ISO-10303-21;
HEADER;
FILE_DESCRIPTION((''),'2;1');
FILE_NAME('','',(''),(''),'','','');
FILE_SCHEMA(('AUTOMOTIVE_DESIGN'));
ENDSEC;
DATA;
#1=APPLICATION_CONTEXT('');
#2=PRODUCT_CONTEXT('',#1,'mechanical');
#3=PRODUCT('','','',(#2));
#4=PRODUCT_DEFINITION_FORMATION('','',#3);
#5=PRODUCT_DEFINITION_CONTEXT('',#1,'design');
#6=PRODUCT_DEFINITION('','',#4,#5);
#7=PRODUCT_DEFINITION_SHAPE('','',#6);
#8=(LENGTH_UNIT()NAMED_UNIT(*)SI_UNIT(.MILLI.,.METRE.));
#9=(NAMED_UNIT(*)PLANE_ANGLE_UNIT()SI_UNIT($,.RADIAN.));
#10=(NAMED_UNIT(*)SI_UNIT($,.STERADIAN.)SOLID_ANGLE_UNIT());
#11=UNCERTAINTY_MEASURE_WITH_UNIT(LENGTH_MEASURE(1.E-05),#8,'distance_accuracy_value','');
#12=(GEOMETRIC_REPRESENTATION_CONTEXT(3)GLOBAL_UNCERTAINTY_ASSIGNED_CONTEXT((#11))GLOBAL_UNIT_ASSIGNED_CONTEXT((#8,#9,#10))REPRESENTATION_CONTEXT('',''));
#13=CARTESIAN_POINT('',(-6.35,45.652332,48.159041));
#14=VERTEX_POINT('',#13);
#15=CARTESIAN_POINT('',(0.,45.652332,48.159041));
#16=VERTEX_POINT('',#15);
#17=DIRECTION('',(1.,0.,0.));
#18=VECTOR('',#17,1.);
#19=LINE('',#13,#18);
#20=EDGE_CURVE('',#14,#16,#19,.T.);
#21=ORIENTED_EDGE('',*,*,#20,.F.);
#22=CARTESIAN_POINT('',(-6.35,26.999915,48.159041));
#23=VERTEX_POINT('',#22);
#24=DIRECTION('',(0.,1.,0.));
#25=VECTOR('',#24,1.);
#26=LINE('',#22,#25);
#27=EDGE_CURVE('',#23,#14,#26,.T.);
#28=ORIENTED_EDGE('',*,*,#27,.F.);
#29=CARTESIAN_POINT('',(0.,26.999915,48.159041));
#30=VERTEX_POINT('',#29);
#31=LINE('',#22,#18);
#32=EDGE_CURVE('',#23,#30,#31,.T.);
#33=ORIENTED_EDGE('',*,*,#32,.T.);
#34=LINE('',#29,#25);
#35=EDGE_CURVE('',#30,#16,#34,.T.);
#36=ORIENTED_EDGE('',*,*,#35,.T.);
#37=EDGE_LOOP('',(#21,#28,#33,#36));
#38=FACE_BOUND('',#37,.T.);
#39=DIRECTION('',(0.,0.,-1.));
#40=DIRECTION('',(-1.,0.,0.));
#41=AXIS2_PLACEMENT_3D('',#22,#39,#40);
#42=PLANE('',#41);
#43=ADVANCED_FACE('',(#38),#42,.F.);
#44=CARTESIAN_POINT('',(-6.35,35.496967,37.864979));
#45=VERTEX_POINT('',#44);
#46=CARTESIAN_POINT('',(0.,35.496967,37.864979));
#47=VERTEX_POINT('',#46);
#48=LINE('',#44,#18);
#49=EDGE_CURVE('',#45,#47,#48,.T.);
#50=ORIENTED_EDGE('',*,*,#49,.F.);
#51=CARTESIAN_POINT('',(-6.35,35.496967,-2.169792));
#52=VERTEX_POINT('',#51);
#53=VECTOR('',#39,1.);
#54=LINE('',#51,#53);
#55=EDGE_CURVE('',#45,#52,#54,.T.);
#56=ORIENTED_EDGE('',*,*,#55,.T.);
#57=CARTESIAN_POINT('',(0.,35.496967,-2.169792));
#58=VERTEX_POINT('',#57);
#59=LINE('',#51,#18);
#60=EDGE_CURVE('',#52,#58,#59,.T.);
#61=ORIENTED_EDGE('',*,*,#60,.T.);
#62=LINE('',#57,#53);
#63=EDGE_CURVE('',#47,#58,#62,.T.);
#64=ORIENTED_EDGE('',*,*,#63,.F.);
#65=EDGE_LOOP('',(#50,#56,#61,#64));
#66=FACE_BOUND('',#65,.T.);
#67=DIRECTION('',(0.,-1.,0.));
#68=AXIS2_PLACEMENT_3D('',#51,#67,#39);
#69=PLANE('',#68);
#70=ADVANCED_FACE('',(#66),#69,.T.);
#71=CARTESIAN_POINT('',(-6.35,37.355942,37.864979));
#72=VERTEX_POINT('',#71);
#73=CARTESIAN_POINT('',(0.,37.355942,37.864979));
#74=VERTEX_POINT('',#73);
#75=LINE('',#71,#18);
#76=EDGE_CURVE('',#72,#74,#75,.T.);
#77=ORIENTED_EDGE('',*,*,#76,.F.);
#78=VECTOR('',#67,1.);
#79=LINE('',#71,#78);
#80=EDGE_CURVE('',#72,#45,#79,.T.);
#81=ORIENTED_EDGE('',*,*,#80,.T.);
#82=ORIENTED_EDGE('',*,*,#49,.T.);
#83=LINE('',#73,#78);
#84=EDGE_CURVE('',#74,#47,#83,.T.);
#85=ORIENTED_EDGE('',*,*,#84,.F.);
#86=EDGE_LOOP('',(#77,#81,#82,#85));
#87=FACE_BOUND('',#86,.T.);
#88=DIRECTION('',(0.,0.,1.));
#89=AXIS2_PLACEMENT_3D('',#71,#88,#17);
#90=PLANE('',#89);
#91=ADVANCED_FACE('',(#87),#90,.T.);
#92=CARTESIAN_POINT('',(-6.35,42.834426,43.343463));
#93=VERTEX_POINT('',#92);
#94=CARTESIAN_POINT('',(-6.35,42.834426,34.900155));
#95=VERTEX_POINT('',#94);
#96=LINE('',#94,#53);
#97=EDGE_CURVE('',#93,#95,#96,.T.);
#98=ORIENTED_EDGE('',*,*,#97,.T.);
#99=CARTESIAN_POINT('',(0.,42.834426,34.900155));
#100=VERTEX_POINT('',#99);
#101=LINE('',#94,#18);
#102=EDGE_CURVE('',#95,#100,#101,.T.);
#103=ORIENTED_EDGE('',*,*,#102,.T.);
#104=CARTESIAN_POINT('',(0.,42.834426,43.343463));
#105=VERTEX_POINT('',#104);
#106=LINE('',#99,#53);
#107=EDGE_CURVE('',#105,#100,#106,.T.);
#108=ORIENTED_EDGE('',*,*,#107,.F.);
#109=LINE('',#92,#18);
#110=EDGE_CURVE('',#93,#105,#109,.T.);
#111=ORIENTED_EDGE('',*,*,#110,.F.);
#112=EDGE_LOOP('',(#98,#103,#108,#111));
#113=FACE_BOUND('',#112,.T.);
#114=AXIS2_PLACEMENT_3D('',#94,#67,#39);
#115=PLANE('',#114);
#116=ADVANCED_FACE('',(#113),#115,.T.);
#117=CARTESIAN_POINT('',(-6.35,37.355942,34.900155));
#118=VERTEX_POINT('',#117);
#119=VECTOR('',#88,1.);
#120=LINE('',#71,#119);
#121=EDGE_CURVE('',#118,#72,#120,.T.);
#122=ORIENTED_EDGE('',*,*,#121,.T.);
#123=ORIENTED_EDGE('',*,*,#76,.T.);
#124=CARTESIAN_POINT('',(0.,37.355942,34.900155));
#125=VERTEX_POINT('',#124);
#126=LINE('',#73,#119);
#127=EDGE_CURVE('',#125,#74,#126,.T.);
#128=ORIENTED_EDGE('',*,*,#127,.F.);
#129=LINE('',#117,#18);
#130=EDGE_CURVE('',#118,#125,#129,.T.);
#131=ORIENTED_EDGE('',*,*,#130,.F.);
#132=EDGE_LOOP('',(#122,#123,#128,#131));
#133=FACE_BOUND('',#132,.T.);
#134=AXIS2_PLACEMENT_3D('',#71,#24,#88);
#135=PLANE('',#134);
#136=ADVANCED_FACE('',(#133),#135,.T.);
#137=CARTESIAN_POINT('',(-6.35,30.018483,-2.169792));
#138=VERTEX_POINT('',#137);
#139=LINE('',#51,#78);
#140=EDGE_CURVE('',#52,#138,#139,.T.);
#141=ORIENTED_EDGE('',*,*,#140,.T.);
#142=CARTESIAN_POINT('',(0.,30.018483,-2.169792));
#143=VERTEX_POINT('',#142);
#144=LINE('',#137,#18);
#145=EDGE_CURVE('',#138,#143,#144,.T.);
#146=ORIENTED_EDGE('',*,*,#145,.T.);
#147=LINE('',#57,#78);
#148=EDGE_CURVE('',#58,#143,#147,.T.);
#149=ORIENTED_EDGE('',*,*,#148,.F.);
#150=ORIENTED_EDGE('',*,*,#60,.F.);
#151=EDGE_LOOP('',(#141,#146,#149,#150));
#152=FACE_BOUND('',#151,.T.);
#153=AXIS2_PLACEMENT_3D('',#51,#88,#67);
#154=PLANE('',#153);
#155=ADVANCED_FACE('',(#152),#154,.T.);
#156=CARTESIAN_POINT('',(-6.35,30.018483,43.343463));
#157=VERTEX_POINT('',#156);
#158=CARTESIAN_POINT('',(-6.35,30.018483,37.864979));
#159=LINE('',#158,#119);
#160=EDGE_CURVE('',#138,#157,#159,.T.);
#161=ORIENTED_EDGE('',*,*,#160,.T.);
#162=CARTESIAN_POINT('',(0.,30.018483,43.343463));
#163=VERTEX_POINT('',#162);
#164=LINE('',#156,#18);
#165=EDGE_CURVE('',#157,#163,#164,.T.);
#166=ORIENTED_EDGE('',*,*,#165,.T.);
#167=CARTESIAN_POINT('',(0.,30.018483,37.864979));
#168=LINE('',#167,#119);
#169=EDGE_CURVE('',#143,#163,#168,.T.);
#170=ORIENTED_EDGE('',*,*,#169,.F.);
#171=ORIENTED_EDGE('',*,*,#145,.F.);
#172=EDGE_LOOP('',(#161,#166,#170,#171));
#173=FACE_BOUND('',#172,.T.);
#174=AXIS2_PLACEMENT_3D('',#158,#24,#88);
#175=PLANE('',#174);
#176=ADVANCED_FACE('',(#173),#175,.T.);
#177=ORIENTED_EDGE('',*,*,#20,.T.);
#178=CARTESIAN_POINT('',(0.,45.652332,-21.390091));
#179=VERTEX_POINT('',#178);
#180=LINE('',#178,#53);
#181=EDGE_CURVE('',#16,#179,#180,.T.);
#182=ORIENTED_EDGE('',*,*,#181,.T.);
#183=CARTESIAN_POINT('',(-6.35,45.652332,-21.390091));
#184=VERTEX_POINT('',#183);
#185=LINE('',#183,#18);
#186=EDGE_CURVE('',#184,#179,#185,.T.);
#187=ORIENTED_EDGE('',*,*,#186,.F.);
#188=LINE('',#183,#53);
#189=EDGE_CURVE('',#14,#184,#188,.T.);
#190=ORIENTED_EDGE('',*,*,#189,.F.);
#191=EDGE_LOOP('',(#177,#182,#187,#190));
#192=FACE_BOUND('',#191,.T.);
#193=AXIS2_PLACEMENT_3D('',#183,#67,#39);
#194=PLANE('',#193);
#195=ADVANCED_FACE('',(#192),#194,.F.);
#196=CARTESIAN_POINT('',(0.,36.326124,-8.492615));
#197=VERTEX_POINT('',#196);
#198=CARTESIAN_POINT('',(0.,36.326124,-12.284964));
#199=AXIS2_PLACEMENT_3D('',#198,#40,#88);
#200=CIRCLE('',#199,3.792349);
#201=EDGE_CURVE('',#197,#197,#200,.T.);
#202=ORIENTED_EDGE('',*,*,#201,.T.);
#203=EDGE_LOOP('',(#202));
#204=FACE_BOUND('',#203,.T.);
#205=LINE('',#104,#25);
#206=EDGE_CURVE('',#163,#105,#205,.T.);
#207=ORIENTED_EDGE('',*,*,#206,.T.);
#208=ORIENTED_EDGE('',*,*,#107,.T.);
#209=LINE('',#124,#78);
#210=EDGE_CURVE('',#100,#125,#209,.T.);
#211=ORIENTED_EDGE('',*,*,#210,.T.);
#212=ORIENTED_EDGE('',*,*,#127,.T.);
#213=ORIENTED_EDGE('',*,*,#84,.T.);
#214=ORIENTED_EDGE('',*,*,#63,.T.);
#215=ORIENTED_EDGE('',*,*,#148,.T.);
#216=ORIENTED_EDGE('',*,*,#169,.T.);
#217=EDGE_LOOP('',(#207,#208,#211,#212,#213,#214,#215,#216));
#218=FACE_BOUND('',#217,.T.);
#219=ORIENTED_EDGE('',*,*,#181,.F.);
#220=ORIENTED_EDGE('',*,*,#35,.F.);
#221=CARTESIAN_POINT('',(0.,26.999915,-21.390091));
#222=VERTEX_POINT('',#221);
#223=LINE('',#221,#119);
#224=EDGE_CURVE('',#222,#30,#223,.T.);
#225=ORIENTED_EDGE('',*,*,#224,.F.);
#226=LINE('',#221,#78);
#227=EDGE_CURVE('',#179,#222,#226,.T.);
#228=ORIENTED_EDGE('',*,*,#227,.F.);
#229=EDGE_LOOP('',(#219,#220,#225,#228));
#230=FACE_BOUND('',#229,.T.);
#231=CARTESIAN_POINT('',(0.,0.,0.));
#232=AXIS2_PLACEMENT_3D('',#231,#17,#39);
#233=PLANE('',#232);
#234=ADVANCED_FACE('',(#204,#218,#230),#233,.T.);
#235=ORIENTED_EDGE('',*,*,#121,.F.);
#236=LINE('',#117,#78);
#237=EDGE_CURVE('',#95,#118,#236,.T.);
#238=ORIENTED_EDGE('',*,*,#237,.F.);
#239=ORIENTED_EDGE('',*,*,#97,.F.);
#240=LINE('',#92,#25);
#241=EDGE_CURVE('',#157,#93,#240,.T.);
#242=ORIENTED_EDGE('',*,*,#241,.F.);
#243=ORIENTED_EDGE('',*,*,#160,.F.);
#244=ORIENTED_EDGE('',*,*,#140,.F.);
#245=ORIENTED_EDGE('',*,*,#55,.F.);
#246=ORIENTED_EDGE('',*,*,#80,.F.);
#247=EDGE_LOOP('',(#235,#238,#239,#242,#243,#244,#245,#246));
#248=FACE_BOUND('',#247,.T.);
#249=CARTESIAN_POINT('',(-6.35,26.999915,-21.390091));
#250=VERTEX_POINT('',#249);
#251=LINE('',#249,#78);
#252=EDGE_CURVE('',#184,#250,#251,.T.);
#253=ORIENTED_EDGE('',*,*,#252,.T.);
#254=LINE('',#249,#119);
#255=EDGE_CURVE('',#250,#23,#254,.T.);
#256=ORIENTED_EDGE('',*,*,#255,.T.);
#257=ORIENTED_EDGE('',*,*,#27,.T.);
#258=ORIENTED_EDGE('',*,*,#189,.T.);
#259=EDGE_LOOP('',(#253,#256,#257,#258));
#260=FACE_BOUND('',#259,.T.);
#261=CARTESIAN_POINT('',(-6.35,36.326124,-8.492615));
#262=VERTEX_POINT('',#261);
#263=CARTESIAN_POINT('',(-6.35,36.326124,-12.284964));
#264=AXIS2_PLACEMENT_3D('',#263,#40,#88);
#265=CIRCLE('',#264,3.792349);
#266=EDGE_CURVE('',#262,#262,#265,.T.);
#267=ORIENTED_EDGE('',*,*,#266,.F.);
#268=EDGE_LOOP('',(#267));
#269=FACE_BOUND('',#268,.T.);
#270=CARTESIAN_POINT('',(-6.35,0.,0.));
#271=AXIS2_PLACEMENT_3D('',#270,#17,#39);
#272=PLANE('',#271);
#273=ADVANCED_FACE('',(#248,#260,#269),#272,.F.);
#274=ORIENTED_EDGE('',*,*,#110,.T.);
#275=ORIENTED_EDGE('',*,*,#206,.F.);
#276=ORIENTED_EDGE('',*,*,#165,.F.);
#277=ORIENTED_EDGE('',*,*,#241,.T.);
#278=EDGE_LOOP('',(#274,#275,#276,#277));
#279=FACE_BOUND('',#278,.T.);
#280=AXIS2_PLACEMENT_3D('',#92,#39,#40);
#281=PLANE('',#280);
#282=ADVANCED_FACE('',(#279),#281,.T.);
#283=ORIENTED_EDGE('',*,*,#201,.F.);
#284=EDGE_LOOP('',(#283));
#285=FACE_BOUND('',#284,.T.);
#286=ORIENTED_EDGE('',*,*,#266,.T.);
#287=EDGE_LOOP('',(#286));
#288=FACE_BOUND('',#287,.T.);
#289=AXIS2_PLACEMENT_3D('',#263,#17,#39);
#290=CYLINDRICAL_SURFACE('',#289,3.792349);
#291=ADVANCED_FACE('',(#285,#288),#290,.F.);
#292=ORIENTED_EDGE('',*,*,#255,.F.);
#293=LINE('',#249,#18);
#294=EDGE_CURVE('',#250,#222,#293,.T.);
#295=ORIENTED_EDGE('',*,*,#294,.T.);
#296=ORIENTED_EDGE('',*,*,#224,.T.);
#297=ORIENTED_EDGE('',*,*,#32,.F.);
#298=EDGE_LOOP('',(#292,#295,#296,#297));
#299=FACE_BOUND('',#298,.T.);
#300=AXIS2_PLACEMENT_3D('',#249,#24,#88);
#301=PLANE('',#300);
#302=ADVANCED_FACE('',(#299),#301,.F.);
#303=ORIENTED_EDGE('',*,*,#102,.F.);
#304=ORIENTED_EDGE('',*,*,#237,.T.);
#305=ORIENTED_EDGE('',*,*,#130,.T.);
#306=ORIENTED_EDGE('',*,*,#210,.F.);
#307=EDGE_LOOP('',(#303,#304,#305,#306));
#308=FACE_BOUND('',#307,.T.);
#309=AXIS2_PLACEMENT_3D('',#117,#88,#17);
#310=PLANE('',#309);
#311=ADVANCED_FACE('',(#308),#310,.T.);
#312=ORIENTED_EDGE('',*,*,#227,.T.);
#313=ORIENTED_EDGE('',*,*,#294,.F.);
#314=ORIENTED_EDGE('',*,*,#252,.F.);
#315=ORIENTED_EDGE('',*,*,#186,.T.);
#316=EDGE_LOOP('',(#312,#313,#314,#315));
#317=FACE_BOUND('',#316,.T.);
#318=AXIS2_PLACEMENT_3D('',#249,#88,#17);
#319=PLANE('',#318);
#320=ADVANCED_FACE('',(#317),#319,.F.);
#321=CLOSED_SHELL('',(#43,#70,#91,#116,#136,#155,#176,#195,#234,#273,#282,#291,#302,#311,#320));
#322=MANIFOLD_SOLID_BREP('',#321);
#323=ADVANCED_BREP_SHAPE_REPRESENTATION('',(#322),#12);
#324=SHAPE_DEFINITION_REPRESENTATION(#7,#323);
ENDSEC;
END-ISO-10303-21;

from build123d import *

# Parameters (mm, degrees)
SKETCH2_W           = 69.549132125
SKETCH2_H           = 18.652417492
SKETCH2_R           = 3.792348853
BOSS_EXTRUDE1_DEPTH = 6.35


with BuildPart() as part:
    # Sketch2 → Boss-Extrude1 (new body)
    with BuildSketch(Plane.ZY):
        with Locations((13.384474921, 36.326123608)):
            Rectangle(SKETCH2_W, SKETCH2_H)
        with Locations((-12.28496421, 36.326123608)):
            Circle(SKETCH2_R, mode=Mode.SUBTRACT)
        Polygon((-2.169792441, 30.018483291), (-2.169792441, 35.496966931), (37.864979034, 35.496966931), (37.864979034, 37.355942436), (34.900155127, 37.355942436), (34.900155127, 42.834426076), (43.343462674, 42.834426076), (43.343462674, 30.018483291), (37.864979034, 30.018483291), align=None, mode=Mode.SUBTRACT)
    extrude(amount=BOSS_EXTRUDE1_DEPTH)


solid = part.part
